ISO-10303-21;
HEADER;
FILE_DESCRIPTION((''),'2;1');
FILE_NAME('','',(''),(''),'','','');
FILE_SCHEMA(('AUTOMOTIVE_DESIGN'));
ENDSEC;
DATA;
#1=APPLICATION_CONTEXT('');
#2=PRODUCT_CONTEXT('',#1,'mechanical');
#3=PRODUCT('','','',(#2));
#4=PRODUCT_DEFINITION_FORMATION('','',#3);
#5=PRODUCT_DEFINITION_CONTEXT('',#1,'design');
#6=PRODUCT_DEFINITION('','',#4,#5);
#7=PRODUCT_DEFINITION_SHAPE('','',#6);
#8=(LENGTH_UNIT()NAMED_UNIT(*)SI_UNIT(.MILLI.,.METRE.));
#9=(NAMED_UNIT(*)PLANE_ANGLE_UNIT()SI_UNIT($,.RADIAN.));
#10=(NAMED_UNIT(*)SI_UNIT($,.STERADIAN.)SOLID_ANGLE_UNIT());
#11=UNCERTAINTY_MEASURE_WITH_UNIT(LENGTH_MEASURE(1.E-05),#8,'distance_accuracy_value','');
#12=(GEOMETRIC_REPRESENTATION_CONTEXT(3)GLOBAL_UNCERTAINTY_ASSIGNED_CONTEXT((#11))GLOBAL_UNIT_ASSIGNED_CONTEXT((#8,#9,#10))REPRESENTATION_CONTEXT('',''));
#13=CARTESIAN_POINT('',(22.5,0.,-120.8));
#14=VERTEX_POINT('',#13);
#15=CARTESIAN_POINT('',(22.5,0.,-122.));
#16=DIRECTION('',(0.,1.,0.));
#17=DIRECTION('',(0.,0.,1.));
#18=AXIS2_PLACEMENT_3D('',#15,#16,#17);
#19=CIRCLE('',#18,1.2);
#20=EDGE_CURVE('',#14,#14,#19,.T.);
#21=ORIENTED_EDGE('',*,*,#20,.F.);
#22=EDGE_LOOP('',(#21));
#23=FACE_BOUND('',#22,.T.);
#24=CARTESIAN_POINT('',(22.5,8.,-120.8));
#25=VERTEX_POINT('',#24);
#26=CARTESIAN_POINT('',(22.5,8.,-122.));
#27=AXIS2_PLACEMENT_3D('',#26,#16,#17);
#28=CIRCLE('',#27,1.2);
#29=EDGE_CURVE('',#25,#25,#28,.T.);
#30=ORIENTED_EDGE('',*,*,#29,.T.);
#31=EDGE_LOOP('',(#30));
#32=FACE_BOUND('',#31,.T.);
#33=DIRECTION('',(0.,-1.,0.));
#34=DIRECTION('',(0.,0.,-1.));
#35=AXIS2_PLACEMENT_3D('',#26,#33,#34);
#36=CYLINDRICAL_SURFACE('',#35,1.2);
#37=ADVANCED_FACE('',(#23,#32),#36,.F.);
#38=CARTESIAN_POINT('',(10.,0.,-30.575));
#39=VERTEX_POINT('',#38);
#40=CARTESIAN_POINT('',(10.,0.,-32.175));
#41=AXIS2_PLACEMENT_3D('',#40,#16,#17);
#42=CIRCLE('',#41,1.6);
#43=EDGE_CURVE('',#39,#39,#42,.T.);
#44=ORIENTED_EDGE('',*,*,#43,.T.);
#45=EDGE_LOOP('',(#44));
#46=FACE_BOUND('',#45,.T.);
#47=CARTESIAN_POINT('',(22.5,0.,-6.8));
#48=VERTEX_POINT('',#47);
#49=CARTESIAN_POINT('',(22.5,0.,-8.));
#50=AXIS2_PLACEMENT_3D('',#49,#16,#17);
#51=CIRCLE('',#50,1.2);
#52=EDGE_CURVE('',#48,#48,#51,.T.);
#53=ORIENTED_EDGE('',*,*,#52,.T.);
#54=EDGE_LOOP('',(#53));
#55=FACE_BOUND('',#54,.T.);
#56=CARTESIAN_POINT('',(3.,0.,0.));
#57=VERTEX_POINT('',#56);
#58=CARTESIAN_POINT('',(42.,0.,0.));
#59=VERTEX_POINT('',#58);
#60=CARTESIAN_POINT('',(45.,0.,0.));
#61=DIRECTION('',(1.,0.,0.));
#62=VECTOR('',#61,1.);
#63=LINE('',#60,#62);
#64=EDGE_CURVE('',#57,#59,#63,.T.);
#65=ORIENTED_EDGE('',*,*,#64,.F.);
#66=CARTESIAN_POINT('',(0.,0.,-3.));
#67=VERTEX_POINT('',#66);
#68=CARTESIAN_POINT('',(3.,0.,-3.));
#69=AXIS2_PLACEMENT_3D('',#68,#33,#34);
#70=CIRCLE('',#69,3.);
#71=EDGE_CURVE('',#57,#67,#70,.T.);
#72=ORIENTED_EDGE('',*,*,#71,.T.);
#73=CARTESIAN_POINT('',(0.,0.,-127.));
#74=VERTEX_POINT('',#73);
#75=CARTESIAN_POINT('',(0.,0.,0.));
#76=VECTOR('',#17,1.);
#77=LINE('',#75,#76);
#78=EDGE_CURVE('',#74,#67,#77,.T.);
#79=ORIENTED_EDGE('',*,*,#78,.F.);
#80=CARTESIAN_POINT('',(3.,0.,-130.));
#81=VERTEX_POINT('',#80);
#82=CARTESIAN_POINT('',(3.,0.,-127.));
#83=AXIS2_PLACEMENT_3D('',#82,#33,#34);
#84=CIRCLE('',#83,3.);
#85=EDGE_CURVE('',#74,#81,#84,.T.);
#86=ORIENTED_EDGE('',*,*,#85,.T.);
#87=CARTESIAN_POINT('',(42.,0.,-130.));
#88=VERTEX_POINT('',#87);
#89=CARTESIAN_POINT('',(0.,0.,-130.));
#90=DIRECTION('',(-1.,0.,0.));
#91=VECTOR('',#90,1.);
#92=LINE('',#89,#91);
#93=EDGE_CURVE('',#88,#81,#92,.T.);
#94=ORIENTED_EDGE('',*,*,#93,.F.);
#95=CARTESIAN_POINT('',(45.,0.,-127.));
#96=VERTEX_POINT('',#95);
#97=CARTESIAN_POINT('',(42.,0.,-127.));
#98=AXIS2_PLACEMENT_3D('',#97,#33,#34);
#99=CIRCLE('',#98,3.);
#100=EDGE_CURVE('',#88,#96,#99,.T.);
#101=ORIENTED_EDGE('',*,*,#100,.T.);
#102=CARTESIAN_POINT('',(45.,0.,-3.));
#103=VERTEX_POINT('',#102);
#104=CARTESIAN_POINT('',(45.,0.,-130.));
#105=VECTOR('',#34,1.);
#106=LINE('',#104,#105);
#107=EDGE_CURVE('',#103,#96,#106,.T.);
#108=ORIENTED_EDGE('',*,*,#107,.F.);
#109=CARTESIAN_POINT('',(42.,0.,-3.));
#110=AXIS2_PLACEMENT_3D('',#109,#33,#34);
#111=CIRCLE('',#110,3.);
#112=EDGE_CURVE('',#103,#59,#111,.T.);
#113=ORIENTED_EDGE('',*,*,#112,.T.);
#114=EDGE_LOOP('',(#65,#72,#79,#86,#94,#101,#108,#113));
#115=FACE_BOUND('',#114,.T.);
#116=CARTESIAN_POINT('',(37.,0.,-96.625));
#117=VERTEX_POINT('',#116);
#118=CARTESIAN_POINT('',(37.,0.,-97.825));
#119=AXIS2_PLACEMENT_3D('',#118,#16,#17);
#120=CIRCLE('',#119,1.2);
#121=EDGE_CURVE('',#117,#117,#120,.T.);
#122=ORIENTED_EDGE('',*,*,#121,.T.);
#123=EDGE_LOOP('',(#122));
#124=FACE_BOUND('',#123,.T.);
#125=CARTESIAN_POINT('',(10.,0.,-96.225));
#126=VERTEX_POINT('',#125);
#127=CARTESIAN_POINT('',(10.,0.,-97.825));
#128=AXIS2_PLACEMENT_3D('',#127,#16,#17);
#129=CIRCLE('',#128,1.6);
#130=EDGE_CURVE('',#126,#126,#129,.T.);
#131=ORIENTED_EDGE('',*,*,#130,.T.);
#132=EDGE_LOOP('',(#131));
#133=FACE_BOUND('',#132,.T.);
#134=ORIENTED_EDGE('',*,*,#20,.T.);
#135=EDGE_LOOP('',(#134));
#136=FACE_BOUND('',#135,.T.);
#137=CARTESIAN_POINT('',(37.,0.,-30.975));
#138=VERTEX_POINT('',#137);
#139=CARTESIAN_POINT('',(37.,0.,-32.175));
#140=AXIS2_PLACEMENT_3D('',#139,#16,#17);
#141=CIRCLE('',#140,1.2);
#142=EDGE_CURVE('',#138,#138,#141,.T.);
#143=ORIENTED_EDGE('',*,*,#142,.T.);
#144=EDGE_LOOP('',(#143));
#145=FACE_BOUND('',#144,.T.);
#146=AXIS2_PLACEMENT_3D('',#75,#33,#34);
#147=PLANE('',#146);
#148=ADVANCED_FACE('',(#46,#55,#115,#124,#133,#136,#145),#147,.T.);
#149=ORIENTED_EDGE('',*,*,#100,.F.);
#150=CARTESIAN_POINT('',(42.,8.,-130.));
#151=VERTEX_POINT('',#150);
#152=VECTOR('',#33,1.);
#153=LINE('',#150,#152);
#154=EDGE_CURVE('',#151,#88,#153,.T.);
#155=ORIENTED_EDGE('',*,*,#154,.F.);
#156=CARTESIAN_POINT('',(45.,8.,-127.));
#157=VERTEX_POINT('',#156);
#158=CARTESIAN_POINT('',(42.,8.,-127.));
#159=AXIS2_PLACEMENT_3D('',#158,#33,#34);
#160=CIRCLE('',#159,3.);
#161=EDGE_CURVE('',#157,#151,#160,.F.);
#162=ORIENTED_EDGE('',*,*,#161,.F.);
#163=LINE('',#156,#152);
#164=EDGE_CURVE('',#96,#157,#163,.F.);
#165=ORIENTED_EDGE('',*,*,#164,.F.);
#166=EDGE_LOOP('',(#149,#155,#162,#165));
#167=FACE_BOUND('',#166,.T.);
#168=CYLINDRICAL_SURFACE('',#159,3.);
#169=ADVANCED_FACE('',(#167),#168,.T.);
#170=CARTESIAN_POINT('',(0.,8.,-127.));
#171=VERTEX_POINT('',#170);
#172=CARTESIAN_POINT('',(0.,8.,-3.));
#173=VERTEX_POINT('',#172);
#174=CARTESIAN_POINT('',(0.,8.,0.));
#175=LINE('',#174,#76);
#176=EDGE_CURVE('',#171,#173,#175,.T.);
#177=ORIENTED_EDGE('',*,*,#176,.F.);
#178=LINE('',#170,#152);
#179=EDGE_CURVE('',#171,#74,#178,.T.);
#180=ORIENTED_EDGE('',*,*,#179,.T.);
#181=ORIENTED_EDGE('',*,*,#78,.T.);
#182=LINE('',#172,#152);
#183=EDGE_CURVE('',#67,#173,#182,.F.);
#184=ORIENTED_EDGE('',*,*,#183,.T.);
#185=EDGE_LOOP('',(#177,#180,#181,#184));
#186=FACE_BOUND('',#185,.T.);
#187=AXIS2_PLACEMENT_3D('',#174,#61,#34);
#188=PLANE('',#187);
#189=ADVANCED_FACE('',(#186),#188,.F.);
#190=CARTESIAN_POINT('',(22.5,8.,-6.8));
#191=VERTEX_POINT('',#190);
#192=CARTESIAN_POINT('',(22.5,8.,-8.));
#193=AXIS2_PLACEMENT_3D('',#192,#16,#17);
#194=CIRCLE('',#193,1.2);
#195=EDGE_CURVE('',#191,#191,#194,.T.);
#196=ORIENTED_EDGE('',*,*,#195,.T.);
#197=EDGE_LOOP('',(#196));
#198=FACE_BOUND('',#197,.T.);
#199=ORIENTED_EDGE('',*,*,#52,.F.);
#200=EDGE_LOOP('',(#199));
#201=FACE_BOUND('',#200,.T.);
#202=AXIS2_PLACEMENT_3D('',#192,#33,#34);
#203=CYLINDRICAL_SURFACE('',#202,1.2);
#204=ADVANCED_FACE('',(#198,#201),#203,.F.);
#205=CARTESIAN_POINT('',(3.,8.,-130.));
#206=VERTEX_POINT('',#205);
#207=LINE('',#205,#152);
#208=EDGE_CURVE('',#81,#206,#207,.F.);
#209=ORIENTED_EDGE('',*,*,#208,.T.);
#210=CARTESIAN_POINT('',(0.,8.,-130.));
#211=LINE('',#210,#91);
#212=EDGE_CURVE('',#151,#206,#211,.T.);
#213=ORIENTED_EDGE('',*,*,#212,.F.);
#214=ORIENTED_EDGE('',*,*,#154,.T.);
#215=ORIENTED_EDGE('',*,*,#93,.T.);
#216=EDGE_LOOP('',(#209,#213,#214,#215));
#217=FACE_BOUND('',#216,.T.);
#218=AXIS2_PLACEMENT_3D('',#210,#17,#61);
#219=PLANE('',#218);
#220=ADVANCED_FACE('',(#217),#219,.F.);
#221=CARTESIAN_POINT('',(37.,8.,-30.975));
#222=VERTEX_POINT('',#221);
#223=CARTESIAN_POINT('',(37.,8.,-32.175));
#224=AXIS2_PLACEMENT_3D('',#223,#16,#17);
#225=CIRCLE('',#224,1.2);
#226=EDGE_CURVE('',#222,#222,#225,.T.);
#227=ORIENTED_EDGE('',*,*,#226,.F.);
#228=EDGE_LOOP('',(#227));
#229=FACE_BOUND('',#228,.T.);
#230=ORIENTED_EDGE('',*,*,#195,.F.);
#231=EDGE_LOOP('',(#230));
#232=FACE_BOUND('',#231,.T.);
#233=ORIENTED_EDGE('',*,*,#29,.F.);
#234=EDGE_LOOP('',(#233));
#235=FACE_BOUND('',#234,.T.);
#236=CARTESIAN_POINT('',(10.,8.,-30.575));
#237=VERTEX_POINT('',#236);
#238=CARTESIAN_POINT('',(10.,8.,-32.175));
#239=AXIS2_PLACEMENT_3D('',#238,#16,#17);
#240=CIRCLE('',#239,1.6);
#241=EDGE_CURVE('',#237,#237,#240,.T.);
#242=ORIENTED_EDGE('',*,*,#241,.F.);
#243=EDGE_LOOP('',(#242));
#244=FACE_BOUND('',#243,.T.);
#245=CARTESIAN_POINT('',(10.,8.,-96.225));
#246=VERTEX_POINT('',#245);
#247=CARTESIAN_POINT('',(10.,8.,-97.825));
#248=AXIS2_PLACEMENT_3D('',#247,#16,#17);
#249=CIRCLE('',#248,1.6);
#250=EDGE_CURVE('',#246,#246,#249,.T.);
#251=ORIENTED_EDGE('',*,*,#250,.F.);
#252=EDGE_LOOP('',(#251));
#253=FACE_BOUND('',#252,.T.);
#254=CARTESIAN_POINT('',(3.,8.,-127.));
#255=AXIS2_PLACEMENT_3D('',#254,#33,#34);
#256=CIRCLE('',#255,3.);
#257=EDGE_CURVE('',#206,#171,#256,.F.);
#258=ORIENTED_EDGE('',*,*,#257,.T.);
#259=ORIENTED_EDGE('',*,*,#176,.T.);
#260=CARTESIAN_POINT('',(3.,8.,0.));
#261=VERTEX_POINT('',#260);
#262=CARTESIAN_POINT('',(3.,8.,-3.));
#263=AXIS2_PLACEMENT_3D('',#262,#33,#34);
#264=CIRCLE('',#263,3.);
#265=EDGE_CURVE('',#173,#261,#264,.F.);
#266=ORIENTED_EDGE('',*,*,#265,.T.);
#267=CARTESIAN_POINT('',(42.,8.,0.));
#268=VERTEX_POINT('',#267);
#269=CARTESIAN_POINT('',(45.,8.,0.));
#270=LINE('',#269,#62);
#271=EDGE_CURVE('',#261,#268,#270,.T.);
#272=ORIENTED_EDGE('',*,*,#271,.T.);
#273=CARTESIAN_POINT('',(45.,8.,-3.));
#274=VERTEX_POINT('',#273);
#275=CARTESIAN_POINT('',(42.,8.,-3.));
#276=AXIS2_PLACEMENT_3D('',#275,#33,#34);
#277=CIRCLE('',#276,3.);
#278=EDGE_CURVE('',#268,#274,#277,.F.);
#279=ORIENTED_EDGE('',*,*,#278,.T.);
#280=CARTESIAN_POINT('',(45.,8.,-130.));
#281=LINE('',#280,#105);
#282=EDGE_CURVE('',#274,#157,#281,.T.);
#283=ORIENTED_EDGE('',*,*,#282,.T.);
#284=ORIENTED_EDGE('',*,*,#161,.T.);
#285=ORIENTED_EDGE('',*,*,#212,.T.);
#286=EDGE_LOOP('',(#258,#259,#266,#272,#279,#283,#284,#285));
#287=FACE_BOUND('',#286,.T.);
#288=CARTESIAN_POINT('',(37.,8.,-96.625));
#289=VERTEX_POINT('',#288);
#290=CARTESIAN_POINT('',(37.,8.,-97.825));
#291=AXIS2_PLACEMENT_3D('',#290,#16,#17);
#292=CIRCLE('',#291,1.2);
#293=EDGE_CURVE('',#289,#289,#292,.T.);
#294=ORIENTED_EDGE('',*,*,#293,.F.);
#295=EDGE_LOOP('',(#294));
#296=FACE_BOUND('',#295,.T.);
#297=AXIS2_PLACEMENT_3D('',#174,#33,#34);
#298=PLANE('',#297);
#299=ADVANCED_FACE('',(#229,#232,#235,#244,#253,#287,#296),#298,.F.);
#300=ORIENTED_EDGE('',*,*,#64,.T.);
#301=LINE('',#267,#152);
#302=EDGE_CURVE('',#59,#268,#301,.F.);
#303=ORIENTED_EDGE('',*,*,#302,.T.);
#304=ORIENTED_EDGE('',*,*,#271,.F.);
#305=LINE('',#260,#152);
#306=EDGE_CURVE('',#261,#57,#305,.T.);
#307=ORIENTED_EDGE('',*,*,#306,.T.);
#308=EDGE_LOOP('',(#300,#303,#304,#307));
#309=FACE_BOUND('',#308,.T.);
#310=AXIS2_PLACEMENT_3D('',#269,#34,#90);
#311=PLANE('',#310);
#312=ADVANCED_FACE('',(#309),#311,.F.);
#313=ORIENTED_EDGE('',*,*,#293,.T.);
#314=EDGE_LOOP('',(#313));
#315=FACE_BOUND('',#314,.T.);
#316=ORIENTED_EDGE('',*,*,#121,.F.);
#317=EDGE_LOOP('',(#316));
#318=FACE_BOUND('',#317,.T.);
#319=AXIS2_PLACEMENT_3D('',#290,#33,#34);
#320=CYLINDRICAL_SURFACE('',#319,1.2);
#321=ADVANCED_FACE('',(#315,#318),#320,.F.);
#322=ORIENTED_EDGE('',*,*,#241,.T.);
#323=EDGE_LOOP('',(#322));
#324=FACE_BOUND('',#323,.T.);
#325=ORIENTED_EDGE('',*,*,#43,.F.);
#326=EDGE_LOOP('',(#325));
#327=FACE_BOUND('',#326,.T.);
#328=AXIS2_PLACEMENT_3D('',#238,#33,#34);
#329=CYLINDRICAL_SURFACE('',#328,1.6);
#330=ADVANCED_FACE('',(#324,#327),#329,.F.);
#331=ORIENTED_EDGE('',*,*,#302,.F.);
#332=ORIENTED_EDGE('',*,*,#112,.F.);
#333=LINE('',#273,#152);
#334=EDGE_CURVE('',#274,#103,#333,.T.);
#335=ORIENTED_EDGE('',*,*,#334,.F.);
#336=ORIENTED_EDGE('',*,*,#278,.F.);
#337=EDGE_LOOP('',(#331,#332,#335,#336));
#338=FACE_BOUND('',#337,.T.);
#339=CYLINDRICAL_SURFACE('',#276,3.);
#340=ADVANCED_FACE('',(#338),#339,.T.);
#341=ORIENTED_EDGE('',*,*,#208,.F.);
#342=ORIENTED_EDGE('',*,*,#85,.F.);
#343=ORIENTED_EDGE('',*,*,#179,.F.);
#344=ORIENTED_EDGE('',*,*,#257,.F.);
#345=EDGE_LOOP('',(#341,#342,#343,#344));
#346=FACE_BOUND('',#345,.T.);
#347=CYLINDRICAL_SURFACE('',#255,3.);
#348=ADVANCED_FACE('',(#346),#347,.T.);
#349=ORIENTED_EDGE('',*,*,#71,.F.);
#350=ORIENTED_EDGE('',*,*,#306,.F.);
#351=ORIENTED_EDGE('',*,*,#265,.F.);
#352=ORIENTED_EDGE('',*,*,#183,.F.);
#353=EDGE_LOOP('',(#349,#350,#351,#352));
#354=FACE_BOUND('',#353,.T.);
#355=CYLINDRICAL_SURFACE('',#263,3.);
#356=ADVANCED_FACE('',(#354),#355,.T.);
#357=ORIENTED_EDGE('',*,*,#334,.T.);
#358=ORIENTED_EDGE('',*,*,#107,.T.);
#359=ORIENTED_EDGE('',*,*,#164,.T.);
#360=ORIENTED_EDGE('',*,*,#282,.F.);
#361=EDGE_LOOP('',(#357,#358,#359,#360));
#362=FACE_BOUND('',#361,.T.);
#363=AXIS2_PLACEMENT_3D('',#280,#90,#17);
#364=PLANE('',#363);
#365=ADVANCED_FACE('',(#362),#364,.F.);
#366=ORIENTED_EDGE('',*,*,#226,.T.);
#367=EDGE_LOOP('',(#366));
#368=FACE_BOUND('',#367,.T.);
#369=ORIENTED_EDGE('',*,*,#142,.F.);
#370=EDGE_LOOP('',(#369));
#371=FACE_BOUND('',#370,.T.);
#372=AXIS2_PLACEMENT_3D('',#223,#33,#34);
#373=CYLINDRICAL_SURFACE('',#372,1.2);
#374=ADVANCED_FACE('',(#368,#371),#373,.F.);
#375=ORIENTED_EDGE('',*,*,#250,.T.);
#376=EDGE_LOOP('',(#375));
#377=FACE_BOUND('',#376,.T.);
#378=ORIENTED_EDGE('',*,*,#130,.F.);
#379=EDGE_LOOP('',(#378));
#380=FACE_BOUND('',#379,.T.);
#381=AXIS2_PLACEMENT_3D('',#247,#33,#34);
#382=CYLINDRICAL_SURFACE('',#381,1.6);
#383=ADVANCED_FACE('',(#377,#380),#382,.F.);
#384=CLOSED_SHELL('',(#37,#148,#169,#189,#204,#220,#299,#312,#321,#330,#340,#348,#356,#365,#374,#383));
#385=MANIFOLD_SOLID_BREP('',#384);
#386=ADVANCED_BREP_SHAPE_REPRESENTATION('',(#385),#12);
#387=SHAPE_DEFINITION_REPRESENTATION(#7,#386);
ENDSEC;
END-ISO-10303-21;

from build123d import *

# Parameters (mm, degrees)
SKETCH1_W           = 45
SKETCH1_H           = 130
SKETCH1_R           = 1.6
SKETCH1_R_2         = 1.2
BOSS_EXTRUDE1_DEPTH = 8
FILLET1_R           = 3


with BuildPart() as part:
    # Sketch1 → Boss-Extrude1 (new body)
    with BuildSketch(Plane(origin=(0, 0, 0), x_dir=(1, 0, 0), z_dir=(0, 1, 0))):
        with Locations((22.5, 65)):
            Rectangle(SKETCH1_W, SKETCH1_H)
        with Locations(Location((10, 97.825, 0), (0, 0, 270))):
            Circle(SKETCH1_R, mode=Mode.SUBTRACT)
        with Locations(Location((10, 32.175, 0), (0, 0, 270))):
            Circle(SKETCH1_R, mode=Mode.SUBTRACT)
        with Locations(Location((37, 97.825, 0), (0, 0, 270))):
            Circle(SKETCH1_R_2, mode=Mode.SUBTRACT)
        with Locations(Location((37, 32.175, 0), (0, 0, 270))):
            Circle(SKETCH1_R_2, mode=Mode.SUBTRACT)
        with Locations(Location((22.5, 8, 0), (0, 0, 270))):
            Circle(SKETCH1_R_2, mode=Mode.SUBTRACT)
        with Locations(Location((22.5, 122, 0), (0, 0, 270))):
            Circle(SKETCH1_R_2, mode=Mode.SUBTRACT)
    extrude(amount=BOSS_EXTRUDE1_DEPTH)

    # Fillet1
    fillet1_edges = [part.edges().sort_by_distance(p)[0] for p in [
        (0, 4, 0),
        (0, 4, -130),
        (45, 4, -130),
        (45, 4, 0),
    ]]
    fillet(fillet1_edges, radius=FILLET1_R)


solid = part.part
